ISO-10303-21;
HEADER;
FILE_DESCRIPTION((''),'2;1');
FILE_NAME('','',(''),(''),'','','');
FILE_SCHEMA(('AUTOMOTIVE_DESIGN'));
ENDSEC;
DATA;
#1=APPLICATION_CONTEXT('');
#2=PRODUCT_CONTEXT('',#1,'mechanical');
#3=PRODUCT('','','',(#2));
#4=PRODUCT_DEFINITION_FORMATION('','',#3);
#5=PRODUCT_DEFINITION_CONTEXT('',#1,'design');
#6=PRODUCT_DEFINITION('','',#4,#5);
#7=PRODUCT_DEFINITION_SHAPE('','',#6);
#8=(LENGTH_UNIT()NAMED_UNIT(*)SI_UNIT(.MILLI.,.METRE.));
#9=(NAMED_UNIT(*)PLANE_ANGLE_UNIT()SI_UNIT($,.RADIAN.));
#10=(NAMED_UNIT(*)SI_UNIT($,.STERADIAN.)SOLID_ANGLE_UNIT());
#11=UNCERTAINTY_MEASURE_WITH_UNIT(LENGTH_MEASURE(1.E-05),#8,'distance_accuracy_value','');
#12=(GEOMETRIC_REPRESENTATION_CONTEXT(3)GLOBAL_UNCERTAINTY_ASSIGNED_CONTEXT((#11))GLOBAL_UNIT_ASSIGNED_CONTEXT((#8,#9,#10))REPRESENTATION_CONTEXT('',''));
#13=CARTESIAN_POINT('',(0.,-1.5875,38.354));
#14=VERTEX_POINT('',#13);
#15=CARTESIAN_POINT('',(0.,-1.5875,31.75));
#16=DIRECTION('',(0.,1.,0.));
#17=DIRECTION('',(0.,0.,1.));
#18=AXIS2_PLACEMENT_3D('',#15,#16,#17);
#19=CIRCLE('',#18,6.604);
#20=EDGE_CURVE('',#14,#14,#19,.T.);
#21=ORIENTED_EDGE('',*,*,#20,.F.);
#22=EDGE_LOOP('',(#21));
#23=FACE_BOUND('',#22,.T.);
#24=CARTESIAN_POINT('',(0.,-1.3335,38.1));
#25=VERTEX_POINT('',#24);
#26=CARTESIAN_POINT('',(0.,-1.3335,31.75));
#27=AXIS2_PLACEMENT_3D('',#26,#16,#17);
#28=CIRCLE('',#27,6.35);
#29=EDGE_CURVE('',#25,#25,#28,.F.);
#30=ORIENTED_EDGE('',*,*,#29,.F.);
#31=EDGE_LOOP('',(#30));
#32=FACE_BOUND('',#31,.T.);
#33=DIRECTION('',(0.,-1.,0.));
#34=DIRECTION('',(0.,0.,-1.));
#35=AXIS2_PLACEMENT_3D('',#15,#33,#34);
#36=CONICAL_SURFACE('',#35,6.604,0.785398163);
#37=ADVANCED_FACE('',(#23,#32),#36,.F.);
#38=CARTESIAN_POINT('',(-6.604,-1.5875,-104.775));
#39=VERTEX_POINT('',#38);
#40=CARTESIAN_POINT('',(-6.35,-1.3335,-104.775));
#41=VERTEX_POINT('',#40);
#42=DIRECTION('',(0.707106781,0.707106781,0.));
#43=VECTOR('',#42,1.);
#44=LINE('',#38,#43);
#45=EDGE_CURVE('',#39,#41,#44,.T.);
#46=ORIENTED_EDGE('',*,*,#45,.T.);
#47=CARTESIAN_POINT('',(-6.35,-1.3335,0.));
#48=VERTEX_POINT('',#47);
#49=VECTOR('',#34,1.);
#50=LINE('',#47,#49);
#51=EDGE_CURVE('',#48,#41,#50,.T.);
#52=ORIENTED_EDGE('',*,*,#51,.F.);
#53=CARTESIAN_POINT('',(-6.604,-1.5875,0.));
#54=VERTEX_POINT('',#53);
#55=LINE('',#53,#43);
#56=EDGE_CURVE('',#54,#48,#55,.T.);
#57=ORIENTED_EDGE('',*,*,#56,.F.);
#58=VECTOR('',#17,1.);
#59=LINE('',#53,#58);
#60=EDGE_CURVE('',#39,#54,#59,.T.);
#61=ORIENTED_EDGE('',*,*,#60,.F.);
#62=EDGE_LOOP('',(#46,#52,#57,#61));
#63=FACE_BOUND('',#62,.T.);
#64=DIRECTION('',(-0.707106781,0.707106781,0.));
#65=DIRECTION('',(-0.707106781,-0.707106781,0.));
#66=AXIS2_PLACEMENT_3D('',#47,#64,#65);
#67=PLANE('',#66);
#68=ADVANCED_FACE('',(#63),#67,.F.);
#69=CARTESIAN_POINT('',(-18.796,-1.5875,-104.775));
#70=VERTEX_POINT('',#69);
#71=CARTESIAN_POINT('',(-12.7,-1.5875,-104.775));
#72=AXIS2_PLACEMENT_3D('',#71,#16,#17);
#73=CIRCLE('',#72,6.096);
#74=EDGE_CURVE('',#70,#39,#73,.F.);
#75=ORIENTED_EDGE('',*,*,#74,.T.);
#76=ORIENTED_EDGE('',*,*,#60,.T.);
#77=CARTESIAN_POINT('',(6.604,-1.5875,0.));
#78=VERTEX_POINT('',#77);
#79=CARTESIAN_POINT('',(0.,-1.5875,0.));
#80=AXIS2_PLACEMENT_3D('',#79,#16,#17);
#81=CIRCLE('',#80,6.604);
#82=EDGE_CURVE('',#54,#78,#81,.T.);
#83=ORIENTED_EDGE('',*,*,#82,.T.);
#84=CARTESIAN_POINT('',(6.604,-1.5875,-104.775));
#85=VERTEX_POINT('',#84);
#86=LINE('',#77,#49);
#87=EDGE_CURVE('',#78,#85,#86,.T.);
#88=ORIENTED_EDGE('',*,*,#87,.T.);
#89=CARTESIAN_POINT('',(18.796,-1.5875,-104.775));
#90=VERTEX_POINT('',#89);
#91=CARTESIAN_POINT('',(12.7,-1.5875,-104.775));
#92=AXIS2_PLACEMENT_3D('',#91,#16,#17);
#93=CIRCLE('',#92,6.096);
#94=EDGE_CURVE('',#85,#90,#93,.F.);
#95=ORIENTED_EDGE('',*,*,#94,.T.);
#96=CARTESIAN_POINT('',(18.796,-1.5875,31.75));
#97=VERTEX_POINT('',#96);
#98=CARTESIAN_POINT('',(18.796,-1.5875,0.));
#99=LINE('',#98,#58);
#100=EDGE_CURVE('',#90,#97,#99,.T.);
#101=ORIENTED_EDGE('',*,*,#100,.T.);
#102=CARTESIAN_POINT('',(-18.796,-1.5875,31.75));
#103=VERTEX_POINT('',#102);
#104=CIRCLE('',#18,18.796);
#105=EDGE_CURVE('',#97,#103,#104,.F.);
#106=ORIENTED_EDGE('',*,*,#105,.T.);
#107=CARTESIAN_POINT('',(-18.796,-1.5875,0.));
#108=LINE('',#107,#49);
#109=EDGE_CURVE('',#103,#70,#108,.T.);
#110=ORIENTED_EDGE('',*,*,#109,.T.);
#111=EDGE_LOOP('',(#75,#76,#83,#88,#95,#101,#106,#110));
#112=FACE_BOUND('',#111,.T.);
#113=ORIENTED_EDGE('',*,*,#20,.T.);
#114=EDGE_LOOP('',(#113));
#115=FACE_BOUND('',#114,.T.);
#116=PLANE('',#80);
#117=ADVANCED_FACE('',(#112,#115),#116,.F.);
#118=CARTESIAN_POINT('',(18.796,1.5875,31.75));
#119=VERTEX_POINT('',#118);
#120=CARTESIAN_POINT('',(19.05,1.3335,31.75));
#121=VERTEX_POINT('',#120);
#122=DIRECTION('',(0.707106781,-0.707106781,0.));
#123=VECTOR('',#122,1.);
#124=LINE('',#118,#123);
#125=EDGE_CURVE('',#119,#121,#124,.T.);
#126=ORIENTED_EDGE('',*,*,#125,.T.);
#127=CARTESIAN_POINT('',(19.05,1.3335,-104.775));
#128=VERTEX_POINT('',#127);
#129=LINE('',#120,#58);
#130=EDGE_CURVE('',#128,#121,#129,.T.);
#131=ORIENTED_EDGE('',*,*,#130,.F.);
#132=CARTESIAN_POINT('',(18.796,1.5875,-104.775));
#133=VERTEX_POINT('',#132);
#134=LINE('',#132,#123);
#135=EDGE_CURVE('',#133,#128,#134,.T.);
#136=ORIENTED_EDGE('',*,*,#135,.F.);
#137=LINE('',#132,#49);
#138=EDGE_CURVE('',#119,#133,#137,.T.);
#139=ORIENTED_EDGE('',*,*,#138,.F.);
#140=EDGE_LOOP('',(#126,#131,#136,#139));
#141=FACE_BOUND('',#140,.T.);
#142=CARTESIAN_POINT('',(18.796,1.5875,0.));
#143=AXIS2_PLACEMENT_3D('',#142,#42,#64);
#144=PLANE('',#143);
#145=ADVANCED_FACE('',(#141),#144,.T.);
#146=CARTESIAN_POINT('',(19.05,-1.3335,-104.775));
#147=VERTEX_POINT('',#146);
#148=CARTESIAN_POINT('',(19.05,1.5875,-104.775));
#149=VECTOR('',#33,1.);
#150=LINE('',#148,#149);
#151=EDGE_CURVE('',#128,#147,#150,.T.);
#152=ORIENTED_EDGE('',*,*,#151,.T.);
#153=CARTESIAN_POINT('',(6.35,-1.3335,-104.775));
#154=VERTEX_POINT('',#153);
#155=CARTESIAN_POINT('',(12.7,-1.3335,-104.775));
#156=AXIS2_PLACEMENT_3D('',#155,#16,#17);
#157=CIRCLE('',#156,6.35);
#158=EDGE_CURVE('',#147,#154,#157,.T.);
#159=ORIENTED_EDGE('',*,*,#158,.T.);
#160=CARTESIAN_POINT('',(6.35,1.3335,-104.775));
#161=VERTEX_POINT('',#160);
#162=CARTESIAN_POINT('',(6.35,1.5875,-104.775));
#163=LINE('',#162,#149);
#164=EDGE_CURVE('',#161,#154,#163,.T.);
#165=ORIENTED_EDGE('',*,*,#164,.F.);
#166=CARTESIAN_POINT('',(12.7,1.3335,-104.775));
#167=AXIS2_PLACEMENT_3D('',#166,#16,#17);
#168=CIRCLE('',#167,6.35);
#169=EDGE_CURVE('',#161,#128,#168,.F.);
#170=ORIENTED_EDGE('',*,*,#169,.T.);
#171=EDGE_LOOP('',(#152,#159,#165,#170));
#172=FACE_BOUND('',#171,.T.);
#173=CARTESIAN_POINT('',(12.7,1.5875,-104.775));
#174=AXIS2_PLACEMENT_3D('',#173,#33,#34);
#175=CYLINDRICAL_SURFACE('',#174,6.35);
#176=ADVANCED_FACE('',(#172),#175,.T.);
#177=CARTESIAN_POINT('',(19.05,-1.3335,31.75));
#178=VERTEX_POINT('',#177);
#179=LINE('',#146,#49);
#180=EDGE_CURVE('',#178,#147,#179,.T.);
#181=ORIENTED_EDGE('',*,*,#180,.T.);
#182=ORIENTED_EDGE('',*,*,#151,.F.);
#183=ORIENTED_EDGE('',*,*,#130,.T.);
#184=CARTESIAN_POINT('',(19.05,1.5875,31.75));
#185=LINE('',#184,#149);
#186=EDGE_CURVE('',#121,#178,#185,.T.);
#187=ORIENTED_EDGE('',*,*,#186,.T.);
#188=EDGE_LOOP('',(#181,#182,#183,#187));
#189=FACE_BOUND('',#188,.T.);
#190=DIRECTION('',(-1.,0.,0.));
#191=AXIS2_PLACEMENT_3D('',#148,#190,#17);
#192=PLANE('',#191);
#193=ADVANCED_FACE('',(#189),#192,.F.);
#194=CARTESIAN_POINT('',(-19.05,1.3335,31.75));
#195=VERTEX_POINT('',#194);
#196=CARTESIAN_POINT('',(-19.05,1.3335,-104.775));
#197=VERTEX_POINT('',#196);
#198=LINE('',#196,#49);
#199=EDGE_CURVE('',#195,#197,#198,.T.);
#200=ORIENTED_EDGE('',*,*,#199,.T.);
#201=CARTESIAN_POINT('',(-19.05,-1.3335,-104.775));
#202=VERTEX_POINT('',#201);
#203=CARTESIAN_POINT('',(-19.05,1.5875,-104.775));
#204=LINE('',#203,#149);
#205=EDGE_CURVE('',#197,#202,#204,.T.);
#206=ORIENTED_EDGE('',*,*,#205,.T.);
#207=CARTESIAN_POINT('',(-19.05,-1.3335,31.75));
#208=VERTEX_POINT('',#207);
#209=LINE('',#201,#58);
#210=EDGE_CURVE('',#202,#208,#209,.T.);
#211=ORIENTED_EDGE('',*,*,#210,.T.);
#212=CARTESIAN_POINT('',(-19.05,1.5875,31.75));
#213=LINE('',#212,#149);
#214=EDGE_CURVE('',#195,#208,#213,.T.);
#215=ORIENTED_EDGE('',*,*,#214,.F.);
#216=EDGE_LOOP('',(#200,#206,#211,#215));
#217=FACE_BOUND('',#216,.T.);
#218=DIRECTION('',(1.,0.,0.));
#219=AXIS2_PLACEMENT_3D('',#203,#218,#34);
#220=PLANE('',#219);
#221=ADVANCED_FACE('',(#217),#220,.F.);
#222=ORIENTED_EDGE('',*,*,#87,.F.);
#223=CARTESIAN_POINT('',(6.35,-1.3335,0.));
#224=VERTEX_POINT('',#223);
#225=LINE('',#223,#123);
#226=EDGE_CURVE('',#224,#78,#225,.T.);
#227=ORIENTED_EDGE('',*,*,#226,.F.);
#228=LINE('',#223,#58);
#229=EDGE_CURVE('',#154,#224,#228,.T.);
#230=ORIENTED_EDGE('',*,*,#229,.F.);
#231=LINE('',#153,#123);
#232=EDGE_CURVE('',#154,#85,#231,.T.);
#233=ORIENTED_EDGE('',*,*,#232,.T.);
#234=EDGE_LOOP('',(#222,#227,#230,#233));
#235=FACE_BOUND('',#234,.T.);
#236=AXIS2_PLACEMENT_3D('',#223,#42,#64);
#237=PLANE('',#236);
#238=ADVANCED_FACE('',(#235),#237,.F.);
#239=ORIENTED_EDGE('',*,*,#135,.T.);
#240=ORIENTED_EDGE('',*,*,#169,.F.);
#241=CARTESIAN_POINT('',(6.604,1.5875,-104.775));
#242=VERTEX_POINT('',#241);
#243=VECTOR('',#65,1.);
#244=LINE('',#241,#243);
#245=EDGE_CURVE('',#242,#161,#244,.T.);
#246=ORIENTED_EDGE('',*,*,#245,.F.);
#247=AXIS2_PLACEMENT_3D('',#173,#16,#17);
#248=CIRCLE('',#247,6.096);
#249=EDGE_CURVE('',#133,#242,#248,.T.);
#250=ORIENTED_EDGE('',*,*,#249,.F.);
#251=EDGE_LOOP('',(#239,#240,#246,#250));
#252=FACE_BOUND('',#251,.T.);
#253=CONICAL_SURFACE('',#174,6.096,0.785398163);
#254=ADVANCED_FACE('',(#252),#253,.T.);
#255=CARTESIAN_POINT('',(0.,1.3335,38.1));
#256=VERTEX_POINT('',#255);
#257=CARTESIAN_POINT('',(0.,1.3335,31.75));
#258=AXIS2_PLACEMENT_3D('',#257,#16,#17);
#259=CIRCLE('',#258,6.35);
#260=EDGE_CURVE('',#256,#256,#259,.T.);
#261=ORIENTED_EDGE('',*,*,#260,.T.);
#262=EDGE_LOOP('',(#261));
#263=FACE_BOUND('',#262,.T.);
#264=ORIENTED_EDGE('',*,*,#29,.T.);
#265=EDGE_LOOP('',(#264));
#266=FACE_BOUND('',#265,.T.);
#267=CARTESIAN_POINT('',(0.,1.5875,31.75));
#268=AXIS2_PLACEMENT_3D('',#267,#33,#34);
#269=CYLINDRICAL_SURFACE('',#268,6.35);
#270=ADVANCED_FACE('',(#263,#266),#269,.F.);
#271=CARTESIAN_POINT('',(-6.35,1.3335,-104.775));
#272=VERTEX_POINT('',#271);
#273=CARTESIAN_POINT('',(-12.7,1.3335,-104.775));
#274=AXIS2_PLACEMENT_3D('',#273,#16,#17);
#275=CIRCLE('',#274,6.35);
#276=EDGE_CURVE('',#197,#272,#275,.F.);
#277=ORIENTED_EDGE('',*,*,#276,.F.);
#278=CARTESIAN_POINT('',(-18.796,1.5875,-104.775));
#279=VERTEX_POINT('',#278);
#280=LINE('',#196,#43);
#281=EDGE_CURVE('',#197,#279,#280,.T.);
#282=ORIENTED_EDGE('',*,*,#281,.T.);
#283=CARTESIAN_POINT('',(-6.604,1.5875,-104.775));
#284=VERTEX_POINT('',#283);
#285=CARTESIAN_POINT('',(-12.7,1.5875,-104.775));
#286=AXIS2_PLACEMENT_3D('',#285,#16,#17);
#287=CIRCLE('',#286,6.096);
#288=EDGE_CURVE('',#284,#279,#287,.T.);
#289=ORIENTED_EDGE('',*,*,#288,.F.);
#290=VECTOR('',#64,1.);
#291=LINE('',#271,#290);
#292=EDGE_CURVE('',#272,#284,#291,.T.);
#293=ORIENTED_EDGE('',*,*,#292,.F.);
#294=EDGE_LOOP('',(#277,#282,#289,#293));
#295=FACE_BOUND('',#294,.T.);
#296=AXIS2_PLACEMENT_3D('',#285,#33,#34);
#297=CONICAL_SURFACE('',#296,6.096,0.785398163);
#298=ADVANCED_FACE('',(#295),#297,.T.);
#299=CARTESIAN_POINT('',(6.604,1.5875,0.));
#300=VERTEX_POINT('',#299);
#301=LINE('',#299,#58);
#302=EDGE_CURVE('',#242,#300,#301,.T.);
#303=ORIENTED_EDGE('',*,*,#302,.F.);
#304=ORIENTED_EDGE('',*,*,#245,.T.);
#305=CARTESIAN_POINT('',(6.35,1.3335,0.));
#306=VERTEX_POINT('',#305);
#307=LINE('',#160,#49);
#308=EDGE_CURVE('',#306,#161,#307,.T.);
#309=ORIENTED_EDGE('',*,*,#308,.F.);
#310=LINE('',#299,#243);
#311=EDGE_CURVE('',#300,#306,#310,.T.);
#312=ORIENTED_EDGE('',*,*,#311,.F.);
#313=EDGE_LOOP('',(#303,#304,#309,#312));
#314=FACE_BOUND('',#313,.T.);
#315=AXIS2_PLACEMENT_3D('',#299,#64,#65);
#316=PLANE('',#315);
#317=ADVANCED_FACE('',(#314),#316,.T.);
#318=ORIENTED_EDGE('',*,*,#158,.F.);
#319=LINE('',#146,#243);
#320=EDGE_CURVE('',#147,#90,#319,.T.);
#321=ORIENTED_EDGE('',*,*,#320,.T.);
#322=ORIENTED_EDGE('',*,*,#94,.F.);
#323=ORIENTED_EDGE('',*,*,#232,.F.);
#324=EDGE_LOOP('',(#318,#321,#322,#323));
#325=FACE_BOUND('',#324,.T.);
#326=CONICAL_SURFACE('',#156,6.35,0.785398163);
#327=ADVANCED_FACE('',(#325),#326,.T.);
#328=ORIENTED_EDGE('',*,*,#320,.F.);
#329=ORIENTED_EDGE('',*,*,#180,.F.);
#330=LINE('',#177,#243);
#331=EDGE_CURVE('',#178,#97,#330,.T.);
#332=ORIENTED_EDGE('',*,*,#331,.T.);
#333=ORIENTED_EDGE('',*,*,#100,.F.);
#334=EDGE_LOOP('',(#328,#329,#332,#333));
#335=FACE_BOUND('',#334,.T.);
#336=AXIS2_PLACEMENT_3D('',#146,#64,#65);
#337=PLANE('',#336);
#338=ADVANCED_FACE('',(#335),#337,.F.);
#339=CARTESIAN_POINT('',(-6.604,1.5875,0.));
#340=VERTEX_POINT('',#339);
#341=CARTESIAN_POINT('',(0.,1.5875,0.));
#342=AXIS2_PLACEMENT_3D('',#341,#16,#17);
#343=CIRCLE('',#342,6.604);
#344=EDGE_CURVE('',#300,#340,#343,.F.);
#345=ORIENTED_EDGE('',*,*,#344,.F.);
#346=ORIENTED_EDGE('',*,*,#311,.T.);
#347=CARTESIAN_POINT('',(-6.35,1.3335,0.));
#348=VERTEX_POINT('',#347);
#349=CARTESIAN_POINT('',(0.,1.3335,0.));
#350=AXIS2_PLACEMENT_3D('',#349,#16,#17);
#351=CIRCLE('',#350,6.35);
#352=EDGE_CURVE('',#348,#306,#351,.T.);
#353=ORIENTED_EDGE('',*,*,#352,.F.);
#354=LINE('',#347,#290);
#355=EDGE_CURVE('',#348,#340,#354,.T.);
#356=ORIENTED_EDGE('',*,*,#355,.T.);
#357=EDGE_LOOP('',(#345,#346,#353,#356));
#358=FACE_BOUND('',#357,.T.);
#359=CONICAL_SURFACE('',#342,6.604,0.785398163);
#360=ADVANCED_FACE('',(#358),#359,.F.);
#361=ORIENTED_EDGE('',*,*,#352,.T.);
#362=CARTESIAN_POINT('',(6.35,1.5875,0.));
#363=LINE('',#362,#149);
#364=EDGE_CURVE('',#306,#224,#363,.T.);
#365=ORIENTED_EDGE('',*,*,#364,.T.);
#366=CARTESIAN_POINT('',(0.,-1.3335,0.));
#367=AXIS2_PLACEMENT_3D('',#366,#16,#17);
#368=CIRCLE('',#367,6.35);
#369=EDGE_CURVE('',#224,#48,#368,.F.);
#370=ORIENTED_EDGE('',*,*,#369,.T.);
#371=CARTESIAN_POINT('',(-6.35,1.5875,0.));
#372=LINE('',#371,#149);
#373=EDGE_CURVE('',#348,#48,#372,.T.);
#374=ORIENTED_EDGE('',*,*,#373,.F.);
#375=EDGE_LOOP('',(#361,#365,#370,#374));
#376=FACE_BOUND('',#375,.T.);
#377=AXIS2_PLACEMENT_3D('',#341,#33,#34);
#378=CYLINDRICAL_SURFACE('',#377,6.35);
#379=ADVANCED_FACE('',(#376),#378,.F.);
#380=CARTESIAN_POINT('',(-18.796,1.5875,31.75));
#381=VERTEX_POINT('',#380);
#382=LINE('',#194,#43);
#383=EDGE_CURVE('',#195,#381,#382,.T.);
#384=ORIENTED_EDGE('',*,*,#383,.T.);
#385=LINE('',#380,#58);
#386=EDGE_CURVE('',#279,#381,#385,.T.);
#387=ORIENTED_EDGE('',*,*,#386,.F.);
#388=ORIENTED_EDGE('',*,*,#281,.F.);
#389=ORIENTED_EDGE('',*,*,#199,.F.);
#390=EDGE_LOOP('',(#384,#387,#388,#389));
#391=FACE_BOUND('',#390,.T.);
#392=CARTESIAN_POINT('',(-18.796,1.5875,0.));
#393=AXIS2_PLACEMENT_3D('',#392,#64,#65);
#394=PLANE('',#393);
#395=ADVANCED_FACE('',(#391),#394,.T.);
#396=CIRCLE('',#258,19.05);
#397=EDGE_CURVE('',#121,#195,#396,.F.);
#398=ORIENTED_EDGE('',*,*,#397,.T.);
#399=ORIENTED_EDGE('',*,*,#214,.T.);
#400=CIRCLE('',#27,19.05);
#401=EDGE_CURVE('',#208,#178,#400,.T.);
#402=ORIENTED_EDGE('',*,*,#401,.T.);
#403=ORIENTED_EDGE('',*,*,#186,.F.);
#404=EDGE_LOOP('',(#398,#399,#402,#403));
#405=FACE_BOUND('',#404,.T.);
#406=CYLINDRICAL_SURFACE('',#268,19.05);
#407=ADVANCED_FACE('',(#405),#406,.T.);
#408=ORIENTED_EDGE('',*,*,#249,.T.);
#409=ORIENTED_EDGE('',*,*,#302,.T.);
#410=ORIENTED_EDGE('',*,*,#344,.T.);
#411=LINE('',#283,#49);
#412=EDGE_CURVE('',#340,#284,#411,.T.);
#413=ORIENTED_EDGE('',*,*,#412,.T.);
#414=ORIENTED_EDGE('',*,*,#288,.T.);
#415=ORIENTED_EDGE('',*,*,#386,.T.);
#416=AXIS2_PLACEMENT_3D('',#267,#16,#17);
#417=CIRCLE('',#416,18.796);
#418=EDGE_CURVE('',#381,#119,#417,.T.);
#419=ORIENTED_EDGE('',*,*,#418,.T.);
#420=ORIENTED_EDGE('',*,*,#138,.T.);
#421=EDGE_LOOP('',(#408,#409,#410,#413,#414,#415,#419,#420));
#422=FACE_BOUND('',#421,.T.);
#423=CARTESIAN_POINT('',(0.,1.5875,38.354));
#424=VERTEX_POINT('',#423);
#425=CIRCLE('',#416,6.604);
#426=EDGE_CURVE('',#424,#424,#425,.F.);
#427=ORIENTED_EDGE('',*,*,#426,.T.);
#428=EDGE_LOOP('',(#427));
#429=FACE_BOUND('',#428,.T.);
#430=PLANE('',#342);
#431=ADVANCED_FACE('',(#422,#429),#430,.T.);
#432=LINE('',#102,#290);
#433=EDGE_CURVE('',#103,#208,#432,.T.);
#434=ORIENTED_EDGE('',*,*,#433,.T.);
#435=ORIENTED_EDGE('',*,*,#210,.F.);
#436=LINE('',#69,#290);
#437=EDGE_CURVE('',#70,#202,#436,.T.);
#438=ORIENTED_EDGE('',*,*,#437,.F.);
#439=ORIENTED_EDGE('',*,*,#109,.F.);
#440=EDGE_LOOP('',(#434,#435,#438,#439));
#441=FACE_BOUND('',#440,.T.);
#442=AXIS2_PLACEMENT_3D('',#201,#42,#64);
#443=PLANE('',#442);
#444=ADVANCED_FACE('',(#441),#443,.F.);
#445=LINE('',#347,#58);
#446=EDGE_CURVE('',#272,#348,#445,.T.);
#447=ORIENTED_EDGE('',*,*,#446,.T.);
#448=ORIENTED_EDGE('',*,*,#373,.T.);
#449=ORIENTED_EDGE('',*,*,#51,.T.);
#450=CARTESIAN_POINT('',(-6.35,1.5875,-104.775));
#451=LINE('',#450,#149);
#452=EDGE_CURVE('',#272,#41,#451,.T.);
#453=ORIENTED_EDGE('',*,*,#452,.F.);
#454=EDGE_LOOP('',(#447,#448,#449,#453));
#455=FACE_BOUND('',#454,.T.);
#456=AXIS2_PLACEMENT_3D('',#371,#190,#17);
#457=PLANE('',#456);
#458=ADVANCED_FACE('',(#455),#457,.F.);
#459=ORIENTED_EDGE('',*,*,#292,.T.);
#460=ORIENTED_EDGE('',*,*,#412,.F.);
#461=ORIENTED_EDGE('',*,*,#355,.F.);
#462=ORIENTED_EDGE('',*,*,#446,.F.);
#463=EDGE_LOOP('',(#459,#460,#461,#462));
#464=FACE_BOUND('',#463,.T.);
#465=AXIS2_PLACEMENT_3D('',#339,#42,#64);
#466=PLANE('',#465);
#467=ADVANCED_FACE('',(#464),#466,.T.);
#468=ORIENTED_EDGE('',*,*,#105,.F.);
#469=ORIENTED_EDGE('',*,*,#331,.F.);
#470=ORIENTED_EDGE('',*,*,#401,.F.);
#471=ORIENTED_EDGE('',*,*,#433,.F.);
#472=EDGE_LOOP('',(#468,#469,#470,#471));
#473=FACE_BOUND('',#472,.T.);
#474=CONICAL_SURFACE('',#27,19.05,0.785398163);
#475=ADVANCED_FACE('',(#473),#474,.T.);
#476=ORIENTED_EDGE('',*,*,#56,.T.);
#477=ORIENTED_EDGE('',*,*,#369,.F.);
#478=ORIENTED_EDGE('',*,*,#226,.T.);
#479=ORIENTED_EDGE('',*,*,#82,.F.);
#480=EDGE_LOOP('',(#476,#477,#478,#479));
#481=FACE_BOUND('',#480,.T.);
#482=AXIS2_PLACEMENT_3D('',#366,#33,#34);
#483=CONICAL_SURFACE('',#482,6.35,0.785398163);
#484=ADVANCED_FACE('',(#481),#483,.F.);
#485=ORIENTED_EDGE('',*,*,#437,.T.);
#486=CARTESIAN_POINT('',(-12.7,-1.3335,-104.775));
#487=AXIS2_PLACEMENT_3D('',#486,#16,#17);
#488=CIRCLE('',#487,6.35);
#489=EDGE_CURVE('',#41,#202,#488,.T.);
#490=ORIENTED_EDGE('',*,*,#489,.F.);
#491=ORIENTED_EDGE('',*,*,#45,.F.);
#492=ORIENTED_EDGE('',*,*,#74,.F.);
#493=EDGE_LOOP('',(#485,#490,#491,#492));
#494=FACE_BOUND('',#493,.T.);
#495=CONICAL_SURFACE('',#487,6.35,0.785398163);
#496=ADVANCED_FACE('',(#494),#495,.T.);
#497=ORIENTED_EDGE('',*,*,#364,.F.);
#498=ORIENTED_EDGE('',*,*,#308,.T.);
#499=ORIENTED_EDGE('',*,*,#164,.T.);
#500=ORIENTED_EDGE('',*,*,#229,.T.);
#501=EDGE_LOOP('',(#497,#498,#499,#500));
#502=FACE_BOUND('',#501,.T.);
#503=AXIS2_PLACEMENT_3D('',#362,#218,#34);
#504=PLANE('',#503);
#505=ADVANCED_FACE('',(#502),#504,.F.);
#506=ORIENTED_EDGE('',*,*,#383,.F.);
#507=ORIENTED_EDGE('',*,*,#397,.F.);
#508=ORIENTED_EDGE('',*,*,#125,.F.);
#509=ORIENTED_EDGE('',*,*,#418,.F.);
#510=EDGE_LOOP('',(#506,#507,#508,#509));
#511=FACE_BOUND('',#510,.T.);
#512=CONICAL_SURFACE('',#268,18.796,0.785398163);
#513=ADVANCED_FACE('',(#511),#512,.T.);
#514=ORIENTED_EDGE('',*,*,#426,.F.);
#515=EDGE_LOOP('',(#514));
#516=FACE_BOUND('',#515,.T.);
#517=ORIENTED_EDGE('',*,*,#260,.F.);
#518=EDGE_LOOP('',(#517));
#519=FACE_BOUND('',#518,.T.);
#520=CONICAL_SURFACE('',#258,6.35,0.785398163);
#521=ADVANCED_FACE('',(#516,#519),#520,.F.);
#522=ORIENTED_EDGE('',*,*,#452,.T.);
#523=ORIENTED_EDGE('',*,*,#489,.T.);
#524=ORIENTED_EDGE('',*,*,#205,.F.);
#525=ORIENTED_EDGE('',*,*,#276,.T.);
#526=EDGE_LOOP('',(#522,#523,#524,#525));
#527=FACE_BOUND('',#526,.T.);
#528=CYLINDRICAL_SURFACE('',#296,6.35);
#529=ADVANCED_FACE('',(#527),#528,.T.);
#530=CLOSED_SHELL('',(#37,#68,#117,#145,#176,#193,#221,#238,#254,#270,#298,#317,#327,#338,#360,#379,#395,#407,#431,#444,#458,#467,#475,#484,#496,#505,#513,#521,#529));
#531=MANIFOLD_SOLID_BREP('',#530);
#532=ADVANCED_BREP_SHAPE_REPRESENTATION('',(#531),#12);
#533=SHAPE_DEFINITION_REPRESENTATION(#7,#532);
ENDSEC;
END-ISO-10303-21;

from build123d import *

# Parameters (mm, degrees)
SKETCH1_R          = 6.35
BASE_EXTRUDE_DEPTH = 1.5875
CHAMFER1_SIZE      = 0.254


with BuildPart() as part:
    # Sketch1 → Base-Extrude (new body, symmetric)
    with BuildSketch(Plane(origin=(0, 0, 0), x_dir=(1, 0, 0), z_dir=(0, 1, 0))):
        with BuildLine():
            Line((6.35, 0), (6.35, 104.775))
            ThreePointArc((6.35, 104.775), (12.7, 111.125), (19.05, 104.775))
            Line((19.05, 104.775), (19.05, -31.75))
            ThreePointArc((19.05, -31.75), (0, -50.8), (-19.05, -31.75))
            Line((-19.05, -31.75), (-19.05, 104.775))
            ThreePointArc((-19.05, 104.775), (-12.7, 111.125), (-6.35, 104.775))
            Line((-6.35, 104.775), (-6.35, 0))
            ThreePointArc((-6.35, 0), (0, -6.35), (6.35, 0))
        make_face()
        with Locations(Location((0, -31.75, 0), (0, 0, 270))):  # turned: the seam where the file's is
            Circle(SKETCH1_R, mode=Mode.SUBTRACT)
    extrude(amount=BASE_EXTRUDE_DEPTH, both=True)

    # Chamfer1
    chamfer1_edges = [part.edges().sort_by_distance(p)[0] for p in [
        (-12.7, 1.5875, -111.125),
        (-6.35, -1.5875, -52.3875),
        (0, -1.5875, 6.35),
        (-19.05, 1.5875, -36.5125),
        (0, 1.5875, 50.8),
        (19.05, 1.5875, -36.5125),
        (0, -1.5875, 25.4),
        (0, 1.5875, 25.4),
        (12.7, 1.5875, -111.125),
        (6.35, 1.5875, -52.3875),
        (0, 1.5875, 6.35),
        (-6.35, 1.5875, -52.3875),
        (6.35, -1.5875, -52.3875),
        (12.7, -1.5875, -111.125),
        (19.05, -1.5875, -36.5125),
        (0, -1.5875, 50.8),
        (-19.05, -1.5875, -36.5125),
        (-12.7, -1.5875, -111.125),
    ]]
    chamfer(chamfer1_edges, length=CHAMFER1_SIZE)


solid = part.part
